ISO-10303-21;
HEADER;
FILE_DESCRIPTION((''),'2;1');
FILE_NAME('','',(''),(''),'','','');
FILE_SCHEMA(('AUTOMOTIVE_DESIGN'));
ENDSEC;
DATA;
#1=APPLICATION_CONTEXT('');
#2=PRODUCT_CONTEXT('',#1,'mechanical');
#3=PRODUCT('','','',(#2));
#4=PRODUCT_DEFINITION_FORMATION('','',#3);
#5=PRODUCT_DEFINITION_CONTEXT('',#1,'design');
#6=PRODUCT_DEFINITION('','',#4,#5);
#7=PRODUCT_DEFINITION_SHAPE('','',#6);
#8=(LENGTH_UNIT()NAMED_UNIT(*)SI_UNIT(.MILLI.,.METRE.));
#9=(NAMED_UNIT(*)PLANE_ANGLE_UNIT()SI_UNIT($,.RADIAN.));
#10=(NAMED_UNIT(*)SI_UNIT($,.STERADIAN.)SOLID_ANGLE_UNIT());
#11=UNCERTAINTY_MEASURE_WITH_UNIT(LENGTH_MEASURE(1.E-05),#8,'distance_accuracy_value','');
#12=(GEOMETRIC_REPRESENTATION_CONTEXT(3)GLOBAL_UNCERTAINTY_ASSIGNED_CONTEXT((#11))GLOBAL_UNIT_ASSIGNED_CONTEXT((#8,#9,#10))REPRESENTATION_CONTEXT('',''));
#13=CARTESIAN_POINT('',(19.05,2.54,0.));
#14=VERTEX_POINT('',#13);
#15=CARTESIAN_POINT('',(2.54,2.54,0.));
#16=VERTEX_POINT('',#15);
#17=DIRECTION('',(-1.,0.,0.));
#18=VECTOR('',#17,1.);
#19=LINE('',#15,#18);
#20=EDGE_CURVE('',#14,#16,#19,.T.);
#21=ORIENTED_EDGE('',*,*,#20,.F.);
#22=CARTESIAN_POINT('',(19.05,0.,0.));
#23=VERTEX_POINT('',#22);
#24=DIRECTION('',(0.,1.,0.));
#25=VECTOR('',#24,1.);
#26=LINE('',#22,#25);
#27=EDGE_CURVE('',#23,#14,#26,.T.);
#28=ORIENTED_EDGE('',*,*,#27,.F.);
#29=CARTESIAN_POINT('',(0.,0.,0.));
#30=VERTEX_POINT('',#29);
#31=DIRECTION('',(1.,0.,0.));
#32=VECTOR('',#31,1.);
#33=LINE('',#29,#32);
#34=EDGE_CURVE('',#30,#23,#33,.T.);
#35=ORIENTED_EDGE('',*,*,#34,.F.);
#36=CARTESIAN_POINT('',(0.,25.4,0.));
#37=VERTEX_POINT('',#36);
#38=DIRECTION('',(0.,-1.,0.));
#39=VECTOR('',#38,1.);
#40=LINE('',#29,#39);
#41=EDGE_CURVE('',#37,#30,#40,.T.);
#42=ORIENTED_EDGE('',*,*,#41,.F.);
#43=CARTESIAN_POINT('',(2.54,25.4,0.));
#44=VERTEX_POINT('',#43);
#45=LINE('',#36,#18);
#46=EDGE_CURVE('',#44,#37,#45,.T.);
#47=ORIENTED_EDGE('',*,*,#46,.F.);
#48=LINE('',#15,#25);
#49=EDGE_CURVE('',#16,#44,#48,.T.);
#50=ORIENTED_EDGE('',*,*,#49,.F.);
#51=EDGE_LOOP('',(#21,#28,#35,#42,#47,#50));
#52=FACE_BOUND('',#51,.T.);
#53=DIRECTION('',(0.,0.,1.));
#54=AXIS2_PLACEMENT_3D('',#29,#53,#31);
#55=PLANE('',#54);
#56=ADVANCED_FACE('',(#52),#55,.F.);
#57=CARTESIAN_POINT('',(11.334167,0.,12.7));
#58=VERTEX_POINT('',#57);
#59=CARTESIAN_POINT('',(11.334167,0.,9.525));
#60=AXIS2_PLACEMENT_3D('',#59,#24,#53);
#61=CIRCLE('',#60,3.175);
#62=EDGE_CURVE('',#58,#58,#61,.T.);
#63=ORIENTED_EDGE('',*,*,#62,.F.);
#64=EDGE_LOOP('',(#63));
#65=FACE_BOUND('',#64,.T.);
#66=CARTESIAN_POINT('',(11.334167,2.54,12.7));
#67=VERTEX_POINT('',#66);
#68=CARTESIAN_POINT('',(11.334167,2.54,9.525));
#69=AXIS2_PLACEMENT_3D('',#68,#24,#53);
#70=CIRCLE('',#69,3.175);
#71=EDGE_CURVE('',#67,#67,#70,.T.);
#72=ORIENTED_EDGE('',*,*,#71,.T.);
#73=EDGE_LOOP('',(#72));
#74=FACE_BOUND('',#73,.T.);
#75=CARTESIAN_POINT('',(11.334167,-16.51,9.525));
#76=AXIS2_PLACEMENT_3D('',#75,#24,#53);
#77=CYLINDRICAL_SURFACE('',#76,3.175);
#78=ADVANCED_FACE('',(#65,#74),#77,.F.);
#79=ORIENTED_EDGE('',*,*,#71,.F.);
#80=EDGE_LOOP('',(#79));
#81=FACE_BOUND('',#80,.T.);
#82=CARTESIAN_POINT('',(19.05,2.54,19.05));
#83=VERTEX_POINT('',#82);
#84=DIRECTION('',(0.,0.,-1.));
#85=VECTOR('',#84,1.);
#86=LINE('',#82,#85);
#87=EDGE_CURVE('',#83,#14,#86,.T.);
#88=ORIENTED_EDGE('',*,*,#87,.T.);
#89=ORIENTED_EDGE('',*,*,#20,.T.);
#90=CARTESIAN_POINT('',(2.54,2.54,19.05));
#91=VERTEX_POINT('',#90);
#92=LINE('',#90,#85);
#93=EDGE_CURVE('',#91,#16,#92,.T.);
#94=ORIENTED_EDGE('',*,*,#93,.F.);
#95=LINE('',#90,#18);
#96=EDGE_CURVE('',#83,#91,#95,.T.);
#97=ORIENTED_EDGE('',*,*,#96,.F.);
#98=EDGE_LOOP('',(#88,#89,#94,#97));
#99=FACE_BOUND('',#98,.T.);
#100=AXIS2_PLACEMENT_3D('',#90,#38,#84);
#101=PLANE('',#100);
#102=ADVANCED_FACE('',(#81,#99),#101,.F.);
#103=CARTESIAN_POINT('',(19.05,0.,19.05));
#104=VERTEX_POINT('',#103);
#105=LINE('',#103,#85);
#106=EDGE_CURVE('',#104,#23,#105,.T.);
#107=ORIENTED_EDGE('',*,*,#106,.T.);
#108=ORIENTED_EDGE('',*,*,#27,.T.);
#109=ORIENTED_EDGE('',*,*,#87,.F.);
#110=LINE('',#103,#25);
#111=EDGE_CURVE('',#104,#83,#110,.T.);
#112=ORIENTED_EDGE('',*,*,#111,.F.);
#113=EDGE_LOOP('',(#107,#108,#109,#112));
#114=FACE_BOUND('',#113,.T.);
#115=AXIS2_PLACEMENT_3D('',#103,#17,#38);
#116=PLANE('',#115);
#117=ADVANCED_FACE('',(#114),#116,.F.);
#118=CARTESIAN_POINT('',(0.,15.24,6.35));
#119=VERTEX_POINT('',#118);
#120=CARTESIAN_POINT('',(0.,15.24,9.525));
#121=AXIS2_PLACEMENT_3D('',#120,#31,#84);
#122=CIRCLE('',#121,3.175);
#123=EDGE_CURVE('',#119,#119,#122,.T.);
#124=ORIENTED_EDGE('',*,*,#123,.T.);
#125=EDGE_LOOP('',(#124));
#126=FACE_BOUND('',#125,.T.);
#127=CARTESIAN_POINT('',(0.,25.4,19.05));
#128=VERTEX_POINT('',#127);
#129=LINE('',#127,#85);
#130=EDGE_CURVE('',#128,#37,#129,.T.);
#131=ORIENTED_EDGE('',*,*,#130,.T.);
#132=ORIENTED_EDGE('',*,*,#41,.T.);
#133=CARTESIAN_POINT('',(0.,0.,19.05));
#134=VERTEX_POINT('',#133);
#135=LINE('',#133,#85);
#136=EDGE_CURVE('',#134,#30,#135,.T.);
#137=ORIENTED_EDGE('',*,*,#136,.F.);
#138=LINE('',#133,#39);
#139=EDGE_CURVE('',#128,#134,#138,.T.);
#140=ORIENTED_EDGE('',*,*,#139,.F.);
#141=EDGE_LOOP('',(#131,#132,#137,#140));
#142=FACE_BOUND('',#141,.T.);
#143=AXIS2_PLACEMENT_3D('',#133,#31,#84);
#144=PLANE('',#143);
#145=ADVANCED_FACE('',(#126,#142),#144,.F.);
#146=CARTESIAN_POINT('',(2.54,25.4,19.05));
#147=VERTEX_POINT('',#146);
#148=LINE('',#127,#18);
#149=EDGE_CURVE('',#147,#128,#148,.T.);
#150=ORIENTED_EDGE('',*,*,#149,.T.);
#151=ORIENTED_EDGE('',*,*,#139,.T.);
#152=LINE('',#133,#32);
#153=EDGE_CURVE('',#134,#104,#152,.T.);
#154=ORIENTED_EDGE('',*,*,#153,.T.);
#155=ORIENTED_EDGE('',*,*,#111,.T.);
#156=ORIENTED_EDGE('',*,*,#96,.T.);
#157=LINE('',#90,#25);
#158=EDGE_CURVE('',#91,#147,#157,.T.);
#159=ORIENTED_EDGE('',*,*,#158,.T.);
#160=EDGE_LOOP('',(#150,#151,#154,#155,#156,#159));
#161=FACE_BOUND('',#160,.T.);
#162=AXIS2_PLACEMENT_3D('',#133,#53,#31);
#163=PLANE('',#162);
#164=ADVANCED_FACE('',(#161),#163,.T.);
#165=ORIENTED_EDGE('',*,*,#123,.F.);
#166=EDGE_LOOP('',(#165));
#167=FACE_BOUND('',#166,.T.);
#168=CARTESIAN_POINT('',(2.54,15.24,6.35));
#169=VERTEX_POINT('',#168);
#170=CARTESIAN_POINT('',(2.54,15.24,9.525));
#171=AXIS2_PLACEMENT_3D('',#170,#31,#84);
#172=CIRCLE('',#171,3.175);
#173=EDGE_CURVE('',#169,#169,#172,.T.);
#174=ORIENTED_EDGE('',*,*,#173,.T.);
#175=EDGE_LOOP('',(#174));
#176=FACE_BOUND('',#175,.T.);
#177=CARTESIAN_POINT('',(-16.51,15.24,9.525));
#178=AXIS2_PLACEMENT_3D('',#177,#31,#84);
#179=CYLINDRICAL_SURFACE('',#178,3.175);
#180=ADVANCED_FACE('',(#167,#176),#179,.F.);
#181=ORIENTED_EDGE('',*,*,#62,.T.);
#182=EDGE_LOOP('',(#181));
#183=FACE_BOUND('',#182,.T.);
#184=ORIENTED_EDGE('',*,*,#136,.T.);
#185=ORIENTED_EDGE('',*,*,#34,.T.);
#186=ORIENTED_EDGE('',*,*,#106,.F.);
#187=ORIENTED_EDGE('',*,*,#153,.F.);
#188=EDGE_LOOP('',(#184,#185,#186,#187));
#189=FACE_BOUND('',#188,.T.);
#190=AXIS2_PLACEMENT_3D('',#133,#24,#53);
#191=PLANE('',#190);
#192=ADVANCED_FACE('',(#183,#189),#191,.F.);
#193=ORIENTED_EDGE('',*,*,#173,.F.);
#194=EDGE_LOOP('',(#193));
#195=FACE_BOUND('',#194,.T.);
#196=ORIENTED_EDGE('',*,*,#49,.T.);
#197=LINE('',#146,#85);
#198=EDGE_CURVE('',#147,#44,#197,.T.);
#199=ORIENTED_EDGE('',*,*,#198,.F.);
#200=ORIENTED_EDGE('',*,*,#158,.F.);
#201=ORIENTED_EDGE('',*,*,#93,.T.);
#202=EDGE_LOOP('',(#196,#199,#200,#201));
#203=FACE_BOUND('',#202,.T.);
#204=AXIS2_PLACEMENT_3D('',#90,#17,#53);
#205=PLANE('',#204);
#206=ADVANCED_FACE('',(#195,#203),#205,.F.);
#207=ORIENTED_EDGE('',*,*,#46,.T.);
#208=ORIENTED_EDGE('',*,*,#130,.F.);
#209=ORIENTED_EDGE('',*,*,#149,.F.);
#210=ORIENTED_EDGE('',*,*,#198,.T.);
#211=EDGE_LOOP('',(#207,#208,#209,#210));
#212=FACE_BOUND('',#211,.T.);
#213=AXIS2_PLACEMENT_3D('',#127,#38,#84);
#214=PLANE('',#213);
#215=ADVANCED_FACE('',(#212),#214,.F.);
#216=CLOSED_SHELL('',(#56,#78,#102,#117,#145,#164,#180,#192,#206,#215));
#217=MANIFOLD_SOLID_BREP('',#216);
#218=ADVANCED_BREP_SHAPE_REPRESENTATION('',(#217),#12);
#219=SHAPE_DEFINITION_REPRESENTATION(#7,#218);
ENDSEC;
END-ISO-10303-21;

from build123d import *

# Parameters (mm, degrees)
BOSS_EXTRUDE2_DEPTH = 19.05
SKETCH3_R           = 3.175
CUT_EXTRUDE1_DEPTH  = 19.05
SKETCH4_R           = 3.175
CUT_EXTRUDE2_DEPTH  = 19.05


with BuildPart() as part:
    # Sketch2 → Boss-Extrude2 (new body)
    with BuildSketch(Plane.XY):
        Polygon((0, 0), (0, 25.4), (2.54, 25.4), (2.54, 2.54), (19.05, 2.54), (19.05, 0), align=None)
    extrude(amount=BOSS_EXTRUDE2_DEPTH)

    # Sketch3 → Cut-Extrude1 (cut)
    with BuildSketch(Plane(origin=(2.54, 0, 0), x_dir=(0, 0, -1), z_dir=(1, 0, 0))):
        with Locations((-9.525, 15.24)):
            Circle(SKETCH3_R)
    extrude(amount=-CUT_EXTRUDE1_DEPTH, mode=Mode.SUBTRACT)

    # Sketch4 → Cut-Extrude2 (cut)
    with BuildSketch(Plane(origin=(0, 2.54, 0), x_dir=(1, 0, 0), z_dir=(0, 1, 0))):
        with Locations((11.334166685, -9.525)):
            Circle(SKETCH4_R)
    extrude(amount=-CUT_EXTRUDE2_DEPTH, mode=Mode.SUBTRACT)


solid = part.part
